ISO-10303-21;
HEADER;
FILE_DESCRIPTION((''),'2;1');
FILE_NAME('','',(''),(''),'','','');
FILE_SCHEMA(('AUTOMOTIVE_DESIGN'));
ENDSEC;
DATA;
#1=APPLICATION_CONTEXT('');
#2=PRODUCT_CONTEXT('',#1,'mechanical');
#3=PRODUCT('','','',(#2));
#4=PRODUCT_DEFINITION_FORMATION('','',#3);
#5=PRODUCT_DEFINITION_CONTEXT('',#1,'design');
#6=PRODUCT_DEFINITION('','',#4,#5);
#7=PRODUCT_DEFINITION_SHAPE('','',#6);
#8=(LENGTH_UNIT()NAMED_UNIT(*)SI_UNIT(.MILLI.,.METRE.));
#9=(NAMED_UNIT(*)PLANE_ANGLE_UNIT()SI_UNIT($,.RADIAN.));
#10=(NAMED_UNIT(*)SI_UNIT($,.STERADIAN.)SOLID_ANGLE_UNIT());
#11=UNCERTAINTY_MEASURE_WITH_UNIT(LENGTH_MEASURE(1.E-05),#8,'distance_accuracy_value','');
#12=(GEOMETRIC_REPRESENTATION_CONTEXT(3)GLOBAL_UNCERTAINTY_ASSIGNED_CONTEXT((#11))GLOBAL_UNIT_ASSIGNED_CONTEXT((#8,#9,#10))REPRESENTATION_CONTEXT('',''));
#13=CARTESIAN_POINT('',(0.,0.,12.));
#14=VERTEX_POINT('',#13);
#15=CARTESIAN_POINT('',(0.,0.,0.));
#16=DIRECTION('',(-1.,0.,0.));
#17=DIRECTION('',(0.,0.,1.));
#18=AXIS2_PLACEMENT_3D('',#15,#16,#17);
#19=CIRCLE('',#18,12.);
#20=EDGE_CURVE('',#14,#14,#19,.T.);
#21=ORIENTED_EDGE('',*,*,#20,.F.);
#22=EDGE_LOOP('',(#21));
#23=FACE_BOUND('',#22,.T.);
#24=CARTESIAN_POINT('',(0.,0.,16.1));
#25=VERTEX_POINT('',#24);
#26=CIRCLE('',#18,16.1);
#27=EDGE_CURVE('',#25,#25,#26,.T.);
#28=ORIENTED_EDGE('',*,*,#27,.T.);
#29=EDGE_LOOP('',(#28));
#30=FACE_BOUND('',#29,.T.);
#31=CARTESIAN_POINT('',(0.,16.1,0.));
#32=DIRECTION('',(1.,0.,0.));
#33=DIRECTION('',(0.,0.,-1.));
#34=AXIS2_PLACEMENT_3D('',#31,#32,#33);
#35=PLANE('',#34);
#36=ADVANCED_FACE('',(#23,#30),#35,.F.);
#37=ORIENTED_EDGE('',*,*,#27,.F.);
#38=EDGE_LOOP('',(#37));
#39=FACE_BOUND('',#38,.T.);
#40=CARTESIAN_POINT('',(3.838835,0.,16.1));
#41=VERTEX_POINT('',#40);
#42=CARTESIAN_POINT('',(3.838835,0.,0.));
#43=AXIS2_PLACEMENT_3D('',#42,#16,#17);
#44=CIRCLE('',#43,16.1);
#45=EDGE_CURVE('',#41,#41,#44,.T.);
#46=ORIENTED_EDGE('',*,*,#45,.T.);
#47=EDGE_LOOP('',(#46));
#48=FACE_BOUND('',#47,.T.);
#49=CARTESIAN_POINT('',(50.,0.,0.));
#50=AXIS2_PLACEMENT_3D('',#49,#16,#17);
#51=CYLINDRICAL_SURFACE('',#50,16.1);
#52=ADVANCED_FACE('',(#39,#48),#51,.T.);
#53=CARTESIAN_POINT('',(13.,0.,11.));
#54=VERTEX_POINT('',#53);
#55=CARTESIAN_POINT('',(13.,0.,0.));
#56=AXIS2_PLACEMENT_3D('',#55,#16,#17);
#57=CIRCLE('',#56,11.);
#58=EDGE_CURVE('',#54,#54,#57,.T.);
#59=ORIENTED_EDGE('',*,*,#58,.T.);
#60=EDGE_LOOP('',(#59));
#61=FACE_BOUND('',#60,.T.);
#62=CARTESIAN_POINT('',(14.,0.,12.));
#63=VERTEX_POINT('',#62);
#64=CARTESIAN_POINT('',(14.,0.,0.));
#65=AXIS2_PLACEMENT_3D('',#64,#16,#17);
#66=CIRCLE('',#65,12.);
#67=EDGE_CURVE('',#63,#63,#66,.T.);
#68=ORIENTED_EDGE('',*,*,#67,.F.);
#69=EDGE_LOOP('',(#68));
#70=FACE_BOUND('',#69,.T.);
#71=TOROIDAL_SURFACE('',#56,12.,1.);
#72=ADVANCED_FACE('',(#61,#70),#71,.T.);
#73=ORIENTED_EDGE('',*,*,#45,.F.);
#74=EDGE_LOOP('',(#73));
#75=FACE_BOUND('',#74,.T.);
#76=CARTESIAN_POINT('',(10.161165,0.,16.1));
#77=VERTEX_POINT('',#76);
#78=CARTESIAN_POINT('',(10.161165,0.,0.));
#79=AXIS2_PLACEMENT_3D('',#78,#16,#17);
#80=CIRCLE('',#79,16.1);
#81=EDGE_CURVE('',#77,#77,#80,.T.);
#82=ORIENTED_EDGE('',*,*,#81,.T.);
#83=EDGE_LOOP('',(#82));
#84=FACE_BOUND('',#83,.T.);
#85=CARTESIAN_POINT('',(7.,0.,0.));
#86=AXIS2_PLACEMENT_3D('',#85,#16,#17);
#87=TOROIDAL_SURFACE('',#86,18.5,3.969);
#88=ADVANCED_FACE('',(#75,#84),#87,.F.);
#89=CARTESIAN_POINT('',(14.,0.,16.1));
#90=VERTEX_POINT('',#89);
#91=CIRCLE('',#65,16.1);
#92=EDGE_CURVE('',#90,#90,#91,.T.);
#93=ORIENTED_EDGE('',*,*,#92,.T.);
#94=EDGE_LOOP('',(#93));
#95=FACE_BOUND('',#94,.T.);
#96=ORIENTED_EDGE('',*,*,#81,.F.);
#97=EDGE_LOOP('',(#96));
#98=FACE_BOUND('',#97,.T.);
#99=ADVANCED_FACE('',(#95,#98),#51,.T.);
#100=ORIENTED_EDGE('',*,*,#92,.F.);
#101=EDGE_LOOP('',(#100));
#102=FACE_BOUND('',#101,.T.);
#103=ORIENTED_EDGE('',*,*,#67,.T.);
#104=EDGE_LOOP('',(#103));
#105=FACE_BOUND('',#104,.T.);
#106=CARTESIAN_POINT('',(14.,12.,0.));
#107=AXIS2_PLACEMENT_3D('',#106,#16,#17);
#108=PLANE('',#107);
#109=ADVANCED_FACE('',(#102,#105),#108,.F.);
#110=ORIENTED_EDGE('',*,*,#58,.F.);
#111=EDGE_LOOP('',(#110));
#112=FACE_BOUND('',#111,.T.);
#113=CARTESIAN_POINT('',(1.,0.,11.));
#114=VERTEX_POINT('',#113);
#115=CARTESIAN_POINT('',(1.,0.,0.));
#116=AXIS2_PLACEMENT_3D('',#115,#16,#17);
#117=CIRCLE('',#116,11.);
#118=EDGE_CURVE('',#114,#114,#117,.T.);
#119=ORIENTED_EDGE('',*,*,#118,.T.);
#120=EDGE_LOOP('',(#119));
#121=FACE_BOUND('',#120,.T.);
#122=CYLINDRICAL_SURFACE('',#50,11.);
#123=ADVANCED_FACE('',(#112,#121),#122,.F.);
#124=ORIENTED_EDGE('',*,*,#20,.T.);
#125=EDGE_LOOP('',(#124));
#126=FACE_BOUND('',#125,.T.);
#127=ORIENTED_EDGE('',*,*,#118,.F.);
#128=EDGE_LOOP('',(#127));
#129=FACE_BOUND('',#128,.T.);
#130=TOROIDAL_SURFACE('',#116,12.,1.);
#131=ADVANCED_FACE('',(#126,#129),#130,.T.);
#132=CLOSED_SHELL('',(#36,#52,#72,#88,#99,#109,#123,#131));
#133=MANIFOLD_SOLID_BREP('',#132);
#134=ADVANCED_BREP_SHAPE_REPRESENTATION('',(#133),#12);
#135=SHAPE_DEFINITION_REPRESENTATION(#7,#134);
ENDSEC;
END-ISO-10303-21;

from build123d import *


with BuildPart() as part:
    # Sketch1 → Revolução1 (revolve)
    with BuildSketch(Plane.XY, mode=Mode.PRIVATE) as revolu_o1_sk:
        with BuildLine():
            Line((1, 11), (13, 11))
            ThreePointArc((13, 11), (13.707106781, 11.292893219), (14, 12))
            Line((14, 12), (14, 16.1))
            Line((14, 16.1), (10.161164501, 16.1))
            ThreePointArc((10.161164501, 16.1), (7, 14.531), (3.838835499, 16.1))
            Line((3.838835499, 16.1), (0, 16.1))
            Line((0, 16.1), (0, 12))
            ThreePointArc((0, 12), (0.292893219, 11.292893219), (1, 11))
        make_face()
    revolve(revolu_o1_sk.sketch.rotate(Axis((50, 0, 0), (-1, 0, 0)), 270), axis=Axis((50, 0, 0), (-1, 0, 0)))


solid = part.part
